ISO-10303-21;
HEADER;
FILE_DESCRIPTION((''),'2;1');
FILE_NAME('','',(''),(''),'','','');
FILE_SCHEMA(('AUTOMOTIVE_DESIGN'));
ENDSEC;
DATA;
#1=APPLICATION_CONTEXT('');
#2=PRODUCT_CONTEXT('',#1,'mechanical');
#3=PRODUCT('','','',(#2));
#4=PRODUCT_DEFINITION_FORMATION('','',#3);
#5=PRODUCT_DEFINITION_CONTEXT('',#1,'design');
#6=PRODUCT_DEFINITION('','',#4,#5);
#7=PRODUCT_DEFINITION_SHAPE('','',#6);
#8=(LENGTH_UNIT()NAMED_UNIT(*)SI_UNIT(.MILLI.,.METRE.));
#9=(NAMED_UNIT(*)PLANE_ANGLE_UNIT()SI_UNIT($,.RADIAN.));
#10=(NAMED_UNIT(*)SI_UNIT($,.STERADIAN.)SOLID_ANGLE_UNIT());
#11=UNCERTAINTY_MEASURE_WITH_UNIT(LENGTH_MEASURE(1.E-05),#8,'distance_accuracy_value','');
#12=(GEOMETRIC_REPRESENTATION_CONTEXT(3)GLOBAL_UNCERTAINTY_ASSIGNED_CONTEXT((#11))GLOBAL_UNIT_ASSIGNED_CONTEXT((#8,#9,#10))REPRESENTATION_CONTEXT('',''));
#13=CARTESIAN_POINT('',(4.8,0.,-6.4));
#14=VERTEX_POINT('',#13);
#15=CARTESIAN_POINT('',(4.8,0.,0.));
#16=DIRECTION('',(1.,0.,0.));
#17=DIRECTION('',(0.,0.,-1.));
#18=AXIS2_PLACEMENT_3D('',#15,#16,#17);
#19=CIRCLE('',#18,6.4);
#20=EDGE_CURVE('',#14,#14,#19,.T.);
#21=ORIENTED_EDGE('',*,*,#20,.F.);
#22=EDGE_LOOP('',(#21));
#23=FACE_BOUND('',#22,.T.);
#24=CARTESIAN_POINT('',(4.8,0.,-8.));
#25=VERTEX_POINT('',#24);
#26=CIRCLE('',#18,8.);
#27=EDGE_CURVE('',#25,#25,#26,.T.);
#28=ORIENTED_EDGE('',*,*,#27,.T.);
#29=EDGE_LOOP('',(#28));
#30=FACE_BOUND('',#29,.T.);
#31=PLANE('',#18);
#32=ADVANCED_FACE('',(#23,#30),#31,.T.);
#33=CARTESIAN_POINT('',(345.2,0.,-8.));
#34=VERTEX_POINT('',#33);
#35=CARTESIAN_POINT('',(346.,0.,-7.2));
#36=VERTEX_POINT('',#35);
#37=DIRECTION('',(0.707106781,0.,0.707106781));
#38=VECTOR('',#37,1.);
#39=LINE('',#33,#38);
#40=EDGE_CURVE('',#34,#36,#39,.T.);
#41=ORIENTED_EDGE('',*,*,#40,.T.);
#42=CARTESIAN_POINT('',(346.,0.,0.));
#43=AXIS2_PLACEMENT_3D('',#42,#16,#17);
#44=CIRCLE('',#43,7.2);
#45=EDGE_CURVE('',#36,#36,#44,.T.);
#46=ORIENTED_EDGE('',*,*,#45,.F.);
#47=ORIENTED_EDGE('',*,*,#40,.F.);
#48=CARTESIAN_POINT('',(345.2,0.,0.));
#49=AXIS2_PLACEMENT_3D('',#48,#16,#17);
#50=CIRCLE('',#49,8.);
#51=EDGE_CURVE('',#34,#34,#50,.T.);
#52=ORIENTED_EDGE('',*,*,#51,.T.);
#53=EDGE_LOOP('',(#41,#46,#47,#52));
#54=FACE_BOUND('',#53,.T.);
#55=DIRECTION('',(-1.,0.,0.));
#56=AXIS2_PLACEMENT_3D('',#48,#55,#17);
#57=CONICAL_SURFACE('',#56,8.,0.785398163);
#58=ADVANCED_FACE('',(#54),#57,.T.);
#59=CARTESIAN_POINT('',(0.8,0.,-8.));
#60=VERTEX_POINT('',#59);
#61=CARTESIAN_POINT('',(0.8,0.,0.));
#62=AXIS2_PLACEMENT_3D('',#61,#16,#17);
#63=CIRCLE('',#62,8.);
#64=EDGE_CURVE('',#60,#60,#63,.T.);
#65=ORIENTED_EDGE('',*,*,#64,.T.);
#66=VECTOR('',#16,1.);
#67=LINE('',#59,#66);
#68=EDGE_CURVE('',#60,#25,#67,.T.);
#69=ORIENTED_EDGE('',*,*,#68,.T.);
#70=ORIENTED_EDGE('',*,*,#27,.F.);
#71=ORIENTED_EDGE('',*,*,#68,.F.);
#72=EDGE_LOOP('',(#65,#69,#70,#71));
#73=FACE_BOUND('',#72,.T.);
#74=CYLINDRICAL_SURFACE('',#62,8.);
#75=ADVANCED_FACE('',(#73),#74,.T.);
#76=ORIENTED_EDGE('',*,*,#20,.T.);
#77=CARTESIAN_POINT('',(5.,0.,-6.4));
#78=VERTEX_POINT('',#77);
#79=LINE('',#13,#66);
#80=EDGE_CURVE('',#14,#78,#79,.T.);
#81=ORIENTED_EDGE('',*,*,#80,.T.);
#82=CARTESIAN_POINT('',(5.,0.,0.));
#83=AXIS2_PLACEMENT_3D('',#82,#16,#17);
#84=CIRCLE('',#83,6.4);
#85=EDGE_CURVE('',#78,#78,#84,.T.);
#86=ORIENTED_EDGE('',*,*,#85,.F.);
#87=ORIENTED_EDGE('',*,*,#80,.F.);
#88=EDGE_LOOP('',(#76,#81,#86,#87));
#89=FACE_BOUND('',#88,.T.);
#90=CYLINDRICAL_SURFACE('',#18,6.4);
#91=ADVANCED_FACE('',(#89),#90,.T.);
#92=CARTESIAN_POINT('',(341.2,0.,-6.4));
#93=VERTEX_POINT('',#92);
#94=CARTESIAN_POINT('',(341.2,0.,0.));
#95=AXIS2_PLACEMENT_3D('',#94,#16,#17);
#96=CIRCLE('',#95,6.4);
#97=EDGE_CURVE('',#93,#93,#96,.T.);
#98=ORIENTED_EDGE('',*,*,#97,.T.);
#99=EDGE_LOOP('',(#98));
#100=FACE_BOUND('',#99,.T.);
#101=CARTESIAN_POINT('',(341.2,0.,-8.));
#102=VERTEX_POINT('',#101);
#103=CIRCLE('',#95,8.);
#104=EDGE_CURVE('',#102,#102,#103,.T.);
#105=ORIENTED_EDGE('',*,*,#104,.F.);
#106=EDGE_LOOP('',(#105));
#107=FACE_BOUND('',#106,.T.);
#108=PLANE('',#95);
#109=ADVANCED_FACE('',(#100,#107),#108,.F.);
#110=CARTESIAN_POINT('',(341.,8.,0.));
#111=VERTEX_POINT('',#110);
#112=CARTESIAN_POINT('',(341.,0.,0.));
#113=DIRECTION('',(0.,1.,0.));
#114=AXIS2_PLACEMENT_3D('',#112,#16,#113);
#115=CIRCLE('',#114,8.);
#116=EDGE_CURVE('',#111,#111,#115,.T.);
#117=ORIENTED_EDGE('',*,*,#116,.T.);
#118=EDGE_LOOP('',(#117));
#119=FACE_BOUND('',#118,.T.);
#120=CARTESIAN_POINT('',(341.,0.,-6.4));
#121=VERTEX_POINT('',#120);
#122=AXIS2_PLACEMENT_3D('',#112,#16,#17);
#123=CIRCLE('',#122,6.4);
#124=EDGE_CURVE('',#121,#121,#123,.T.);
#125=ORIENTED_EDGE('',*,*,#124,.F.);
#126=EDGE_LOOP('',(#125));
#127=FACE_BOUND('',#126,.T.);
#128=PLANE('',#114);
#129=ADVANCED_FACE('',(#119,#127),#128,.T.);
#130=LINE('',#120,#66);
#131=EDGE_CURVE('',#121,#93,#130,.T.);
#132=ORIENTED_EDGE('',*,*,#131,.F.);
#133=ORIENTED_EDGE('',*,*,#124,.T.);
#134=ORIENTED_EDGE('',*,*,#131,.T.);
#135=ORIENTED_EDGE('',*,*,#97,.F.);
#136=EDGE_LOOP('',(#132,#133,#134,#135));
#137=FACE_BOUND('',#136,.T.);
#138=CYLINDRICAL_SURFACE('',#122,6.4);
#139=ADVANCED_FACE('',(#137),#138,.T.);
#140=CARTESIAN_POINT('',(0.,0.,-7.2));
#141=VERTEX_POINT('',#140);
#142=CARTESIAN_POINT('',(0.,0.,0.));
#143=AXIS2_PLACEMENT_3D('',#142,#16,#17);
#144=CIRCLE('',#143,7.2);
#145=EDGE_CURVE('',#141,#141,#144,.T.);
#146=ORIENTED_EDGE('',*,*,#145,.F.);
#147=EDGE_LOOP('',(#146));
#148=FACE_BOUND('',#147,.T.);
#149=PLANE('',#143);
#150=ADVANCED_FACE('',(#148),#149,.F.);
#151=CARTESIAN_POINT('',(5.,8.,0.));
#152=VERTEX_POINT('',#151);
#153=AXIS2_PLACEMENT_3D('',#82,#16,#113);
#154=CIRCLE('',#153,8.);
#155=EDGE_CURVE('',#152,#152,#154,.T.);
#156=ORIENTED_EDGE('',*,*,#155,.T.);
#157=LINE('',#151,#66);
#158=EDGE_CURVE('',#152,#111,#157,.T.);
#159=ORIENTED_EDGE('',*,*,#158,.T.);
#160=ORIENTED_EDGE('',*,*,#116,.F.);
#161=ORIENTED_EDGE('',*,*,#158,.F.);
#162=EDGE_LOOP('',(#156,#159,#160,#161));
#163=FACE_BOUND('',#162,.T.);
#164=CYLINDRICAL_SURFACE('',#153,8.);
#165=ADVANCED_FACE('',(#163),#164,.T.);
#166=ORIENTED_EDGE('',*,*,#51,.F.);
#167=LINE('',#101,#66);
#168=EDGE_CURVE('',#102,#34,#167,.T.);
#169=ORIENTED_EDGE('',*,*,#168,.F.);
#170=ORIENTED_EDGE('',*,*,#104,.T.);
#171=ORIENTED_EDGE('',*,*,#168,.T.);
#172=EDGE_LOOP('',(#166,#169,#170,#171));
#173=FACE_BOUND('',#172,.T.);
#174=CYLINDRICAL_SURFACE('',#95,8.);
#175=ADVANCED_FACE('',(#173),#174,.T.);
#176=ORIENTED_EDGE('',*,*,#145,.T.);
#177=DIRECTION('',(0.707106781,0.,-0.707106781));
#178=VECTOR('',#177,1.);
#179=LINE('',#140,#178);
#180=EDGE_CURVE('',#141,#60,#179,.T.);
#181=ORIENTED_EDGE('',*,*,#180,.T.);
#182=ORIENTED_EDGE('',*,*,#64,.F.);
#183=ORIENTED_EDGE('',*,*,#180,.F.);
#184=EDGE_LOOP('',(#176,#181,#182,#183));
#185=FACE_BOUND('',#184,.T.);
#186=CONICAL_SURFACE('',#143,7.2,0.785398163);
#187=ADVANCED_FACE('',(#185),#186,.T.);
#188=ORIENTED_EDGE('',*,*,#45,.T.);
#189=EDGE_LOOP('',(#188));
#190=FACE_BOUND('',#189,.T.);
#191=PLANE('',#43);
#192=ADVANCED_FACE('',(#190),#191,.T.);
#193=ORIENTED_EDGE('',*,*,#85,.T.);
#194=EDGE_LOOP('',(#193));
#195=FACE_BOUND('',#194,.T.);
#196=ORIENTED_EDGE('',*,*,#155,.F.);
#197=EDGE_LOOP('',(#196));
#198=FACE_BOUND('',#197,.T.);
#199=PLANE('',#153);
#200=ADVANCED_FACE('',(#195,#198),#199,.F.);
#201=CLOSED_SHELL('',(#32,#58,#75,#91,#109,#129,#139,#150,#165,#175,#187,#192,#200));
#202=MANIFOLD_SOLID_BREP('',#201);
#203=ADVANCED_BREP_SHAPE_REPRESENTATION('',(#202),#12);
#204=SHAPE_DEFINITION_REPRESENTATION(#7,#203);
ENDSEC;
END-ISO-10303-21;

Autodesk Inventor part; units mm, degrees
sketch "Sketch_1" plane through (0, 0, 0) normal (0, 0, 1) x (1, 0, 0)
  line L0 (341, 0) -> (5, 0)
  line L1 (5, 0) -> (5, 8)
  line L2 (5, 8) -> (341, 8)
  line L3 (341, 8) -> (341, 0)
  line L4 (341, 0) -> (5, 0)
revolve "Revolution1" add sketch "Sketch_1" angle 360 about axis through (341, 0, 0) along (1, 0, 0)
thread "Thread1" size "M16x2" class "6g" standard "ISO Metric profile" full length
sketch "Sketch_2" plane through (0, 0, 0) normal (0, 1, 0) x (-1, 0, 0)
  line L0 (-5, 0) -> (0, 0)
  line L1 (0, 0) -> (0, -7.2)
  line L2 (0, -7.2) -> (-0.8, -8)
  line L3 (-0.8, -8) -> (-4.8, -8)
  line L4 (-4.8, -8) -> (-4.8, -6.4)
  line L5 (-4.8, -6.4) -> (-5, -6.4)
  line L6 (-5, -6.4) -> (-5, 0)
  line L7 (-5, 0) -> (0, 0)
revolve "Revolution2" add sketch "Sketch_2" angle 360 about axis through (5, 0, 0) along (1, 0, 0)
sketch "Sketch_3" plane through (0, 0, 0) normal (0, 1, 0) x (-1, 0, 0)
  line L0 (-346, 0) -> (-341, 0)
  line L1 (-341, 0) -> (-341, -6.4)
  line L2 (-341, -6.4) -> (-341.2, -6.4)
  line L3 (-341.2, -6.4) -> (-341.2, -8)
  line L4 (-341.2, -8) -> (-345.2, -8)
  line L5 (-345.2, -8) -> (-346, -7.2)
  line L6 (-346, -7.2) -> (-346, 0)
  line L7 (-346, 0) -> (-341, 0)
revolve "Revolution3" add sketch "Sketch_3" angle 360 about axis through (346, 0, 0) along (1, 0, 0)
ref_plane "bnt_s_1_XY" through (0, 0, 0) normal (-1, 0, 0) x (0, 0, -1)
ref_plane "bnt_s_1_YZ" through (0, 0, 0) normal (0, 0, -1) x (0, -1, 0)
ref_plane "bnt_s_1_ZX" through (0, 0, 0) normal (0, -1, 0) x (-1, 0, 0)
properties part number "BNT 1605-2.6300 Shaft"
